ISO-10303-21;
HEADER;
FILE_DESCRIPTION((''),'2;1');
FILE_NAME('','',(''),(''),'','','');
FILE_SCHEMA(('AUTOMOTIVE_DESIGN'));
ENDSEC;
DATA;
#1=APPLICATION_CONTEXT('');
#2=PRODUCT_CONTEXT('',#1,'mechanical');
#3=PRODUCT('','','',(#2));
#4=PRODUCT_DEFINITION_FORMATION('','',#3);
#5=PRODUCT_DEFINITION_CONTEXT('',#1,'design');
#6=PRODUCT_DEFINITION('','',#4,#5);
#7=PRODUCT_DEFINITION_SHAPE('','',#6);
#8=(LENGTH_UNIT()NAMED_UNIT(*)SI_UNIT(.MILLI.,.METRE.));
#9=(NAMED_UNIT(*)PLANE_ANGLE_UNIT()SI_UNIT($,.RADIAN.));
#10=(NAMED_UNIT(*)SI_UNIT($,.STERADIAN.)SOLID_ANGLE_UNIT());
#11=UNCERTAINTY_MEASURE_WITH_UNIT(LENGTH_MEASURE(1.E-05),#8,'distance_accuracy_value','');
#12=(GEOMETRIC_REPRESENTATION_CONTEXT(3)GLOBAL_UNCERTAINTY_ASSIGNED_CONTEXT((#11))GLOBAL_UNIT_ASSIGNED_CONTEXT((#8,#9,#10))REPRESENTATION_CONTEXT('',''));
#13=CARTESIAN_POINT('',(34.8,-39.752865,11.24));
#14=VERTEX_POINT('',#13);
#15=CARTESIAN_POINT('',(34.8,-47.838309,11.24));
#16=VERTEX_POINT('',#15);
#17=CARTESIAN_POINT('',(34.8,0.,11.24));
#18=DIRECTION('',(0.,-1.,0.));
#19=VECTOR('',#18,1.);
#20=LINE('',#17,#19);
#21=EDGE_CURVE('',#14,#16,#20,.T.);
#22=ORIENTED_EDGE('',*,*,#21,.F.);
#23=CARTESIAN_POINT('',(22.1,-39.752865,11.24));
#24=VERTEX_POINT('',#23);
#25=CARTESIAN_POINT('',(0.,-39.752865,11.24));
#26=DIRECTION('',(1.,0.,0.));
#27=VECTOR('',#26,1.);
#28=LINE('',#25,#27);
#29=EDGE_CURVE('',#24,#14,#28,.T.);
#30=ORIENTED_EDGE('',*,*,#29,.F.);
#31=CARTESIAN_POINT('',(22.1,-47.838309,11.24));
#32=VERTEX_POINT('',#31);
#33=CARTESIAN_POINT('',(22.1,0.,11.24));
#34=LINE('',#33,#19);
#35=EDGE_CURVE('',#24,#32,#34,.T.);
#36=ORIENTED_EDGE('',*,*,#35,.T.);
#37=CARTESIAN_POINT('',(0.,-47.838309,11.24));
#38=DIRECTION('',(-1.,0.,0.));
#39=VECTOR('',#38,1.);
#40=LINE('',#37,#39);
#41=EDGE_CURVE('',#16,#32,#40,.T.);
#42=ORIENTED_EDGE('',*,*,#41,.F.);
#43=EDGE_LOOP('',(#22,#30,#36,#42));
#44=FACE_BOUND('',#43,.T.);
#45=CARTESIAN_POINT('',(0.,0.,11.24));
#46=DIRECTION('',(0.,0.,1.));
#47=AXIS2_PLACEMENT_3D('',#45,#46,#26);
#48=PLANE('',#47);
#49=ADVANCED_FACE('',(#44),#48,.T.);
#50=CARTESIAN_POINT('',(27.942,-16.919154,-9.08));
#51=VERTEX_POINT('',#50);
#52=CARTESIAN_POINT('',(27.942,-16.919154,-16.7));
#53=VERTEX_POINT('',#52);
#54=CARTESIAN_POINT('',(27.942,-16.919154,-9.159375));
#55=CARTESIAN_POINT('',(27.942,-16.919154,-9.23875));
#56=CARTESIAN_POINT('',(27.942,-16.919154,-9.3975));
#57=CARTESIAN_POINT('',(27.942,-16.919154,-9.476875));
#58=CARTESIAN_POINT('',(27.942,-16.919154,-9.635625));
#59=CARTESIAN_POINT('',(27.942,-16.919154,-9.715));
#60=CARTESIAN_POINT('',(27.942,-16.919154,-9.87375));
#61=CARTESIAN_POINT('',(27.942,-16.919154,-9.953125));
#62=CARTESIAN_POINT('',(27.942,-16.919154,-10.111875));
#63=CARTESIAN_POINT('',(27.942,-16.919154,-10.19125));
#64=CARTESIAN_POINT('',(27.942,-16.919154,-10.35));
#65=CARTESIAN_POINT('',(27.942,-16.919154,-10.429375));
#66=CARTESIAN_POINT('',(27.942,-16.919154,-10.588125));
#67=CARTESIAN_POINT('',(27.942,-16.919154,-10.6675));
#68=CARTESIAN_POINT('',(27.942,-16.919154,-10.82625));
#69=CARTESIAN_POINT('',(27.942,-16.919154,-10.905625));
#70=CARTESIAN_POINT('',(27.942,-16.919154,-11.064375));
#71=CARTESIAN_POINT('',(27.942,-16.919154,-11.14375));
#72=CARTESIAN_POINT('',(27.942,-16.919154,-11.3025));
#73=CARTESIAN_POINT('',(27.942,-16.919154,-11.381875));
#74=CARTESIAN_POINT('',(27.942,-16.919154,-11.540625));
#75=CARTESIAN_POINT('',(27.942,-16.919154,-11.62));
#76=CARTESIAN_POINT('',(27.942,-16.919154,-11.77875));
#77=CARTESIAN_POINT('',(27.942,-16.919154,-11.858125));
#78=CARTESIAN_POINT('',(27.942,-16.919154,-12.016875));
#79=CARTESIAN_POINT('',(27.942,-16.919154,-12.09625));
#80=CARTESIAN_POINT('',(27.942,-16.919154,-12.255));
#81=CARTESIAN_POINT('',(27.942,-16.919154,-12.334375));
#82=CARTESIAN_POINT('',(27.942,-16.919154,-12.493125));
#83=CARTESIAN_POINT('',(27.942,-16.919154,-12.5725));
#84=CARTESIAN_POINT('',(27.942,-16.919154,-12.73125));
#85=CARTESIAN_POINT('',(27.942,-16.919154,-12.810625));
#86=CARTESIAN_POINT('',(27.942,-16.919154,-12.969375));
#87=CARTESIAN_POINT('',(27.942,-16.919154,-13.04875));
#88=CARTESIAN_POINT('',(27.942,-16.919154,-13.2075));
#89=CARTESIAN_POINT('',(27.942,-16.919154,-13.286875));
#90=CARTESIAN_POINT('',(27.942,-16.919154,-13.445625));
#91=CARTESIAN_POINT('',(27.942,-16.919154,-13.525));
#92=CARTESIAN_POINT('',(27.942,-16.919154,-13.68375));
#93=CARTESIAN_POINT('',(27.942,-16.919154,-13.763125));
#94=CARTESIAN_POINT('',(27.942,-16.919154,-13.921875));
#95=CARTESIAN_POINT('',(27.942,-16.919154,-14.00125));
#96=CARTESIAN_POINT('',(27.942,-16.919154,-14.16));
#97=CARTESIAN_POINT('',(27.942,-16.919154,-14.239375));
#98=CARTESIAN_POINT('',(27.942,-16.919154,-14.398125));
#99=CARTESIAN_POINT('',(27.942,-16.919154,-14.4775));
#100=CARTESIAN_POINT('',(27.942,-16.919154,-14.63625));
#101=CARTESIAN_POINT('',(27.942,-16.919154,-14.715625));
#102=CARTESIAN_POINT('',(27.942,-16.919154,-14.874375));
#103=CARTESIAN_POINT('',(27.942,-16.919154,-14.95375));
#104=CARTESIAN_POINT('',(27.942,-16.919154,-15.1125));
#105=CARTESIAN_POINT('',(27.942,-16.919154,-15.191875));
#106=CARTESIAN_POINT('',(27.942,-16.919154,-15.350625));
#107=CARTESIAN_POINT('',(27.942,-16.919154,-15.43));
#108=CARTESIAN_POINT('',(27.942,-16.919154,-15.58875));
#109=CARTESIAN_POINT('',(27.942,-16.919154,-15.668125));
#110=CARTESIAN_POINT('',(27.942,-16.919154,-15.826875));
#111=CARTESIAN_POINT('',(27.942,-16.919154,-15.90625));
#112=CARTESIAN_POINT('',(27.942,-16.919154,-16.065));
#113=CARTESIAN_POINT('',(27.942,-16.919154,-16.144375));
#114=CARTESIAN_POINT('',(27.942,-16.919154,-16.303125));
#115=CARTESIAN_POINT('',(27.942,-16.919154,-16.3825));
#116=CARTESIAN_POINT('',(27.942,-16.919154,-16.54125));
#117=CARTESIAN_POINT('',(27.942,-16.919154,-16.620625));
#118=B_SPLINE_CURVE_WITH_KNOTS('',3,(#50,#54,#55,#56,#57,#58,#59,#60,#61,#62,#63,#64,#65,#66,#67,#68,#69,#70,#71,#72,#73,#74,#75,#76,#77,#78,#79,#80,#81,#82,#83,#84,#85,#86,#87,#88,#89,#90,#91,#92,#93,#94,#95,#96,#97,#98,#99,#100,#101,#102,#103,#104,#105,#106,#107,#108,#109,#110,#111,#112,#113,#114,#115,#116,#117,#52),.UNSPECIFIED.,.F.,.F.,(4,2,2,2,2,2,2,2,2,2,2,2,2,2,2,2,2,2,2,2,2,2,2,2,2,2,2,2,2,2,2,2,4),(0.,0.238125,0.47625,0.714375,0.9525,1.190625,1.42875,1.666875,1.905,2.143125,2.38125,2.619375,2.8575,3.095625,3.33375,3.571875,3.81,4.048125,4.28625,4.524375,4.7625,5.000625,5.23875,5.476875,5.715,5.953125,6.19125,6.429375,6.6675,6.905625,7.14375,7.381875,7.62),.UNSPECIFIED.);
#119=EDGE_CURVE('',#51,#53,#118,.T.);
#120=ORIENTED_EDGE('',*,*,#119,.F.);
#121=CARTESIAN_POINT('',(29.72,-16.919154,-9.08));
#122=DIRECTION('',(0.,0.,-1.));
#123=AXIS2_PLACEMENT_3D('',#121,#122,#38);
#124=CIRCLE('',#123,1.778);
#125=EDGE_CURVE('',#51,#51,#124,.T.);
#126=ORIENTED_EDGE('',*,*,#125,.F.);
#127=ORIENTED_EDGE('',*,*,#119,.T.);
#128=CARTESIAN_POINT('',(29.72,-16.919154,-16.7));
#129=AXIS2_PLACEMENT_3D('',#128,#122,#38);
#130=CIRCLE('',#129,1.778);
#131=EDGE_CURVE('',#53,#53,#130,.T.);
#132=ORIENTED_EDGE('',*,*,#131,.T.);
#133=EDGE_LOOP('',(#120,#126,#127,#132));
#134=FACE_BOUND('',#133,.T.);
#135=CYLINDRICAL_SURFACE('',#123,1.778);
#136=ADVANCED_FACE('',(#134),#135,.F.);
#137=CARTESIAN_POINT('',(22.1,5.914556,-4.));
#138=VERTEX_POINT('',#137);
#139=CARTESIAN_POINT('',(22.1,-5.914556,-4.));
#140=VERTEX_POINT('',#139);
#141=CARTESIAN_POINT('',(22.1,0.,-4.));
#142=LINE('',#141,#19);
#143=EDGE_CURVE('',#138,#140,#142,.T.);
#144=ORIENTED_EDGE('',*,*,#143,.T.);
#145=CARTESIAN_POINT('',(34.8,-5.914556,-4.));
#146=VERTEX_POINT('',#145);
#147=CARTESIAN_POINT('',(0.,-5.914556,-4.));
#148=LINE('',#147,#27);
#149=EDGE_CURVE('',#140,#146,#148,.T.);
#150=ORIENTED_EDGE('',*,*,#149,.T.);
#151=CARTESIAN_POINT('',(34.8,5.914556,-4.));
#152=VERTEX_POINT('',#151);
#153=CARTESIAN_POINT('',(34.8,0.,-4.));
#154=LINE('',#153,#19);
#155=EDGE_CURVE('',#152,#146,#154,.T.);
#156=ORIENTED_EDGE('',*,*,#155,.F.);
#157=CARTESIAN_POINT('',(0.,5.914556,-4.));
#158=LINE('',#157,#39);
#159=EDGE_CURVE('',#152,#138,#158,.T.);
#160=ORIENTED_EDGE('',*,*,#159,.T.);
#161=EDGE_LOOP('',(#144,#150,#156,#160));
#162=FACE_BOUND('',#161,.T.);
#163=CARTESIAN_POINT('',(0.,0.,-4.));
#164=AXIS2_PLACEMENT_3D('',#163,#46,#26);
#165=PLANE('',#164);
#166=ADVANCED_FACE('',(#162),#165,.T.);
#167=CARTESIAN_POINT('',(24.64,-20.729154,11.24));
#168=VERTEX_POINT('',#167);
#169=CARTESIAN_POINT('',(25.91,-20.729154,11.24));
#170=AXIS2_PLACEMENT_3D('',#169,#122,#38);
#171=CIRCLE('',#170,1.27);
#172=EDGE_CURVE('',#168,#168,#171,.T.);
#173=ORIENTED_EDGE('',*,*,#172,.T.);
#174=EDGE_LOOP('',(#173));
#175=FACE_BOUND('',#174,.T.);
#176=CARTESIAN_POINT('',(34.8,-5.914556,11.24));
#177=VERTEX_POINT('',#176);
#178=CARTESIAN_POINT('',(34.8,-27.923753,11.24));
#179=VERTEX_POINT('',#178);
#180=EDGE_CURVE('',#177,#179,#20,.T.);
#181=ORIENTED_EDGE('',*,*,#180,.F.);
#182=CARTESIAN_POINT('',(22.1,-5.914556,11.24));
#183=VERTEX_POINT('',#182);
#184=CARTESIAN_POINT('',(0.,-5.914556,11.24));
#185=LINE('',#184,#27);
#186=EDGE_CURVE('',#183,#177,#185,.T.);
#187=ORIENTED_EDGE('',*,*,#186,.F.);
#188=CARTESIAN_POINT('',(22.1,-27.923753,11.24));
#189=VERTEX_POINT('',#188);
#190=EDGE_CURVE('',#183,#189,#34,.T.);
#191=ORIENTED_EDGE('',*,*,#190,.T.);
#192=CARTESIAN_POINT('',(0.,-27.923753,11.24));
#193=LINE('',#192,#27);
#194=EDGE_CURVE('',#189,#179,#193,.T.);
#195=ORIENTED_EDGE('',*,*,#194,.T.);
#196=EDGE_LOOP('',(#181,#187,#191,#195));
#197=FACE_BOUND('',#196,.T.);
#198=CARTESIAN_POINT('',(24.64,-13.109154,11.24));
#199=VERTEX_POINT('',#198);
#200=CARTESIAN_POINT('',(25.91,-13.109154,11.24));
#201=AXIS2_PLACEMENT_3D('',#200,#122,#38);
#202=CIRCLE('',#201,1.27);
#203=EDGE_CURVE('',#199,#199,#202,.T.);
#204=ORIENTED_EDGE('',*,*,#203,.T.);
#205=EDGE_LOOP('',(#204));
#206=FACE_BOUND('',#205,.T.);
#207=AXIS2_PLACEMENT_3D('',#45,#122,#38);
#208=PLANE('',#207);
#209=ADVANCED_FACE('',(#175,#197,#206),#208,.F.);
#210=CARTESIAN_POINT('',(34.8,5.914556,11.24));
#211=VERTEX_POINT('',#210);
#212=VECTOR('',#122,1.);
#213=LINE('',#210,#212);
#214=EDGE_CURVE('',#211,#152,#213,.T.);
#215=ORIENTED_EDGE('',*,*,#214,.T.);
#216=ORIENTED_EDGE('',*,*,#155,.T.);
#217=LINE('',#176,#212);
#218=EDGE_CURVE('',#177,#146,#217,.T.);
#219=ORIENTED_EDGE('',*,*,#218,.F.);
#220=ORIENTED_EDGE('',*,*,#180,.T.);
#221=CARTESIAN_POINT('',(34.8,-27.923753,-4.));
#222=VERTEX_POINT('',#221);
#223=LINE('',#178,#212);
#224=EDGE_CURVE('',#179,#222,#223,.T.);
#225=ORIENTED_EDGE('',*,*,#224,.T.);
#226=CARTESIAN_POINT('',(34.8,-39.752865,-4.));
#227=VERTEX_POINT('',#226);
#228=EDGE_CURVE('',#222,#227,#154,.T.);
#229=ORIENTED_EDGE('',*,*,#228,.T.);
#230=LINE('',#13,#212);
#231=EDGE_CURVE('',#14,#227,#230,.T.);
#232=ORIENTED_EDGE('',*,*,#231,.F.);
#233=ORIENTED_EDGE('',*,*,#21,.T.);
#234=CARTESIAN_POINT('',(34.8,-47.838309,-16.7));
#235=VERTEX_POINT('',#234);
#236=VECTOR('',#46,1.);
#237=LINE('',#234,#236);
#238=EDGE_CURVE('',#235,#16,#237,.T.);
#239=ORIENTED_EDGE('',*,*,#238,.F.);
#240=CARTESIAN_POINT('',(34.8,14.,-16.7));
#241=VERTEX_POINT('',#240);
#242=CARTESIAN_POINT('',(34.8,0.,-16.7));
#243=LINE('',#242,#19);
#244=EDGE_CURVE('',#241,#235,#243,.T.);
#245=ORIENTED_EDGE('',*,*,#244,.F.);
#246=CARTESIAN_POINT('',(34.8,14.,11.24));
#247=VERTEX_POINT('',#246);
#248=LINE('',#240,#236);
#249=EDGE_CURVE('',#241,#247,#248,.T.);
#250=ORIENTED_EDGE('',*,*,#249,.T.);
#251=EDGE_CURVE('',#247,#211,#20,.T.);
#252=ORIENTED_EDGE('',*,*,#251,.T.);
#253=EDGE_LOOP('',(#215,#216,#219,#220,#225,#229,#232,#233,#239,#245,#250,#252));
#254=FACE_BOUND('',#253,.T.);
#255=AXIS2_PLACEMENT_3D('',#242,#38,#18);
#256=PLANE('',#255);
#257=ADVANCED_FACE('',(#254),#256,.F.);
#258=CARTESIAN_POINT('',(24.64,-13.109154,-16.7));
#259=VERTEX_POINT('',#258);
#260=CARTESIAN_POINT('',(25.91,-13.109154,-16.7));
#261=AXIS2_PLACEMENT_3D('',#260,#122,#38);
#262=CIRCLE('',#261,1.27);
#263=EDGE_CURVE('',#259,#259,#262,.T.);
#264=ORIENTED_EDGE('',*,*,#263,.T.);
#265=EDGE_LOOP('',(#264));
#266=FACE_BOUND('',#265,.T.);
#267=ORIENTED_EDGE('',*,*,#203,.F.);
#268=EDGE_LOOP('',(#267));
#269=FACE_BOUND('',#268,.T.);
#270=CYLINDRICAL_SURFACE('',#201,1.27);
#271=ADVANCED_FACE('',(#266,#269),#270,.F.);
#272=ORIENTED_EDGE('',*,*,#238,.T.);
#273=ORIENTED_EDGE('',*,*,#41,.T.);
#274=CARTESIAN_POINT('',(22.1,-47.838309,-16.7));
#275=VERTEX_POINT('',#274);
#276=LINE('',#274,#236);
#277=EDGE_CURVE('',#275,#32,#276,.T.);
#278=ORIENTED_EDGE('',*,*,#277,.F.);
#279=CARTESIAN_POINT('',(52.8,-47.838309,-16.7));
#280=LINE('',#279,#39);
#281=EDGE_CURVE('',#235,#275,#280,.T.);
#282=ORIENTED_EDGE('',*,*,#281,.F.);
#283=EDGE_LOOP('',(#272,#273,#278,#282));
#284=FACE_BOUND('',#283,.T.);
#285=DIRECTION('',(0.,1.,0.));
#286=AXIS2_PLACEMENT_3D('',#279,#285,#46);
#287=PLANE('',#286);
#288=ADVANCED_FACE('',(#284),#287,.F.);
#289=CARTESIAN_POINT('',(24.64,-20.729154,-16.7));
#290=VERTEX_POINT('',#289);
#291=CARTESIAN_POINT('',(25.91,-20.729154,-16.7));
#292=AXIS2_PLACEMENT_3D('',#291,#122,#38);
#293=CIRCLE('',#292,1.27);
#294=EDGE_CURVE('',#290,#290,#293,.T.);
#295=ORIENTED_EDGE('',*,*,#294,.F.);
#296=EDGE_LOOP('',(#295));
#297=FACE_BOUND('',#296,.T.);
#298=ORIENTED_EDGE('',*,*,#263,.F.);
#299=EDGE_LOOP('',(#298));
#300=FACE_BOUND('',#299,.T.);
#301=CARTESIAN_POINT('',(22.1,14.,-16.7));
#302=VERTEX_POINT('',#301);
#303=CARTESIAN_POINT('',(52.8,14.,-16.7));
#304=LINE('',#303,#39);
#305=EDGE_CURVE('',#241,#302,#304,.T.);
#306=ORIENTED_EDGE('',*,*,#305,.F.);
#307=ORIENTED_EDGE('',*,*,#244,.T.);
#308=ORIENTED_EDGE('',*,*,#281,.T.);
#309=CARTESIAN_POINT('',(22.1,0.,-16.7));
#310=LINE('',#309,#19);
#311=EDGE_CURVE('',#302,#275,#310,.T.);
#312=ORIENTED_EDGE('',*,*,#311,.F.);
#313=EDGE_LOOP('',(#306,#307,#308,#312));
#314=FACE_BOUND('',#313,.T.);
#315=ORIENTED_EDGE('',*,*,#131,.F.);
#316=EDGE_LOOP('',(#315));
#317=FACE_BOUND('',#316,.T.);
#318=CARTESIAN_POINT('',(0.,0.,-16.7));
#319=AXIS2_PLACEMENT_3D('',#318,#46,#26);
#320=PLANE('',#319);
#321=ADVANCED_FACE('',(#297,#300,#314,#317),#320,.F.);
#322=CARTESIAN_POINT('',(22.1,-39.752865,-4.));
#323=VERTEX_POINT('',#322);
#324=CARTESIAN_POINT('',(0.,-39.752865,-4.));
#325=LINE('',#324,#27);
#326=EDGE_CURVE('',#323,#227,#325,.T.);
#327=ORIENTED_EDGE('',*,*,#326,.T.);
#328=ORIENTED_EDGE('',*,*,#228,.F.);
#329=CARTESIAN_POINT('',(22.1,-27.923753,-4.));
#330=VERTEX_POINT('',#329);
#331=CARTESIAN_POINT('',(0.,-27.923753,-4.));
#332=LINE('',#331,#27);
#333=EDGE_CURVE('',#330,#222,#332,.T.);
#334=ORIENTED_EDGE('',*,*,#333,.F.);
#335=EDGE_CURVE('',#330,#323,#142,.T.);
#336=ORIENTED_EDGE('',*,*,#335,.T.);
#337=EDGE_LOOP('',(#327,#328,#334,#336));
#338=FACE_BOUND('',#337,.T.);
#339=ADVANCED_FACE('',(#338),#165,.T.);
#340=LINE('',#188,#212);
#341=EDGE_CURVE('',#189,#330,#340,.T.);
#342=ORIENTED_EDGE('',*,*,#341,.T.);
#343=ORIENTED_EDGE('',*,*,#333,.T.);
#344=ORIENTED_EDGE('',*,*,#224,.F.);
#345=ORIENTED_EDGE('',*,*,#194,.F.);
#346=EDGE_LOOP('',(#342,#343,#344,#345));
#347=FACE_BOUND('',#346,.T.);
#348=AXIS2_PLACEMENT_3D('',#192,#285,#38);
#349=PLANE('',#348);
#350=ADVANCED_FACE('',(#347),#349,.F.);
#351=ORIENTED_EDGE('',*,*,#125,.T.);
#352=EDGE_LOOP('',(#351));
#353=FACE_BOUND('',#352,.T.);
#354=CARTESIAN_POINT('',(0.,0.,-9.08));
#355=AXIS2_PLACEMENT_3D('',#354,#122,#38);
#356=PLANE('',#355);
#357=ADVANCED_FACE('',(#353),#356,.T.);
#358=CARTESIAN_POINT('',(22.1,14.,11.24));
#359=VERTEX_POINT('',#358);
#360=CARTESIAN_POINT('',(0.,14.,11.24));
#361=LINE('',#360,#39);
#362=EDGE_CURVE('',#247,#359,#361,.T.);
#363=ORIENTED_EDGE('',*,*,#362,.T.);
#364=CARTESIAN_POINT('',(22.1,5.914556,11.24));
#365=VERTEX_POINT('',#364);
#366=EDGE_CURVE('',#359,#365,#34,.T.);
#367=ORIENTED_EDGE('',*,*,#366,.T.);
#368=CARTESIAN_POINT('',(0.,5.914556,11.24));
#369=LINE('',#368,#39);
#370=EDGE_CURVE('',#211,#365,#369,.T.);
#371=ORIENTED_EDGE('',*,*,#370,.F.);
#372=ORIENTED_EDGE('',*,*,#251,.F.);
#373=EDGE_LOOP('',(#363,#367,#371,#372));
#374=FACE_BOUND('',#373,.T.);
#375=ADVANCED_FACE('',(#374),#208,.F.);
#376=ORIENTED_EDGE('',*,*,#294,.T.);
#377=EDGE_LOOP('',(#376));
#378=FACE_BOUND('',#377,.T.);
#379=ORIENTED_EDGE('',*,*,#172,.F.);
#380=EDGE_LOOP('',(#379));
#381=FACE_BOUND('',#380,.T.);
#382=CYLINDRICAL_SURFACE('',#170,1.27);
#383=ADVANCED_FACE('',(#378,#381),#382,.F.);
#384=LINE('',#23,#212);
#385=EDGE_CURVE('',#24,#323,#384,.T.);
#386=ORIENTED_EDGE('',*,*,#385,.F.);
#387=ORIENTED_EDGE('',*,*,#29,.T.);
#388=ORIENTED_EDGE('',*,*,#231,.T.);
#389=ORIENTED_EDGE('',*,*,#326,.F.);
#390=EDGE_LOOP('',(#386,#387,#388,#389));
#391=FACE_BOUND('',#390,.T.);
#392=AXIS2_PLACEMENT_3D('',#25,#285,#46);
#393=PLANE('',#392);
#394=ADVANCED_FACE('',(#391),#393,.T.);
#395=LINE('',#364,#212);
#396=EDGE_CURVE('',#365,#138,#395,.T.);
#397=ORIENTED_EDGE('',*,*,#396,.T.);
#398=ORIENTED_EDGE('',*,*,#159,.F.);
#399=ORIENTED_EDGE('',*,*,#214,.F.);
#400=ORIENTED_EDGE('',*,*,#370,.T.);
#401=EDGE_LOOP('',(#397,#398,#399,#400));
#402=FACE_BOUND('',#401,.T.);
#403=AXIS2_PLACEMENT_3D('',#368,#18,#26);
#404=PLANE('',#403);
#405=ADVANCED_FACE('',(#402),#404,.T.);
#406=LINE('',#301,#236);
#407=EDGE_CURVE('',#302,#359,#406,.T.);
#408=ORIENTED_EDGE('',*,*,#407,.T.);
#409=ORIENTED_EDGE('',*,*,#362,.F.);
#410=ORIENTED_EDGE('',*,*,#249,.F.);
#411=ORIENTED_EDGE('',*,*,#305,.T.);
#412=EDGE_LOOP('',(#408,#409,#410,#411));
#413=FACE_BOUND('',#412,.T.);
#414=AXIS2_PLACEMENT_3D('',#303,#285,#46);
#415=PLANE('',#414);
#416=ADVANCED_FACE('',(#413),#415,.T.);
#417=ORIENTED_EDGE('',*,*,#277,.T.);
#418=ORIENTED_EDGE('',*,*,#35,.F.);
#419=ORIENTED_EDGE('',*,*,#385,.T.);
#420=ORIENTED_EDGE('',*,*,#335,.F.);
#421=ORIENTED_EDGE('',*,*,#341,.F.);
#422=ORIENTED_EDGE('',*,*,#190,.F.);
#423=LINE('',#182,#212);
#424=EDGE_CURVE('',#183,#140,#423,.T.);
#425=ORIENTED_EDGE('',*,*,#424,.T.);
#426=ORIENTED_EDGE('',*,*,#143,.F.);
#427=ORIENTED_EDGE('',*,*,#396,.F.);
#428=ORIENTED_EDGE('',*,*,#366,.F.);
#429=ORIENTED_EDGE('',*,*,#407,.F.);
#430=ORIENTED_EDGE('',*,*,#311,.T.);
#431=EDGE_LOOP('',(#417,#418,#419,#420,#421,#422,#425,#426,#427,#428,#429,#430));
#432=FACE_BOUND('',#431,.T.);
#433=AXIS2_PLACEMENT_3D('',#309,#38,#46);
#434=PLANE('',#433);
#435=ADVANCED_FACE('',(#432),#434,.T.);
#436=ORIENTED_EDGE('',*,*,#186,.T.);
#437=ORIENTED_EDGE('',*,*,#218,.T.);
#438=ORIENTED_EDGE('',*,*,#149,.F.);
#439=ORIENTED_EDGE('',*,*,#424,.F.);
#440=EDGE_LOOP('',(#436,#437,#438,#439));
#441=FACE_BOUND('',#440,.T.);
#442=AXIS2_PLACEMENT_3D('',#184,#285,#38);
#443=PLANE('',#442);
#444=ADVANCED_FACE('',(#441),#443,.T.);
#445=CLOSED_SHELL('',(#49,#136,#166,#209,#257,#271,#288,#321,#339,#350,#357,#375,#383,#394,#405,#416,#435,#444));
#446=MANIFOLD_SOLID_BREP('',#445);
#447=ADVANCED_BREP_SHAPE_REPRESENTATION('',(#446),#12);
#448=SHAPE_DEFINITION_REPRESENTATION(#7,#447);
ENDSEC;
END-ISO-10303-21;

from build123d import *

# Parameters (mm, degrees)
BOSS_EXTRUDE1_START = -4
SKETCH2_W           = 12.7
SKETCH2_H           = 11.829112303
SKETCH2_H_2         = 8.085443848
BOSS_EXTRUDE1_DEPTH = 12.7
BOSS_EXTRUDE3_START = -4
SKETCH2_4_W         = 12.7
SKETCH2_4_H         = 8.085443848
BOSS_EXTRUDE3_DEPTH = 15.24
SKETCH3_R           = 1.778
CUT_EXTRUDE1_DEPTH  = 7.62
SKETCH3_3_R         = 1.27
CUT_EXTRUDE2_DEPTH  = 66.423141131


with BuildPart() as part:
    # Sketch2 → Boss-Extrude1 (new body)
    with BuildSketch(Plane.XY.offset(BOSS_EXTRUDE1_START)):
        with BuildLine():
            Line((34.8, 12), (34.8, 14))
            Line((34.8, 14), (22.1, 14))
            Line((22.1, 14), (22.1, 5.914556152))
            Line((22.1, 5.914556152), (32.8, 5.914556152))
            ThreePointArc((32.8, 5.914556152), (34.214213562, 6.500342589), (34.8, 7.914556152))
            Line((34.8, 7.914556152), (34.8, 12))
        make_face()
        Polygon((32.8, 5.914556152), (22.1, 5.914556152), (22.1, -5.914556152), (32.8, -5.914556152), (34.8, -5.914556152), (34.8, 5.914556152), align=None)
        with BuildLine():
            Line((32.8, -5.914556152), (22.1, -5.914556152))
            Line((22.1, -5.914556152), (22.1, -27.923752717))
            Line((22.1, -27.923752717), (34.8, -27.923752717))
            Line((34.8, -27.923752717), (34.8, -12))
            Line((34.8, -12), (34.8, -7.914556152))
            ThreePointArc((34.8, -7.914556152), (34.214213562, -6.500342589), (32.8, -5.914556152))
        make_face()
        with Locations((28.45, -33.838308869)):
            Rectangle(SKETCH2_W, SKETCH2_H)
        with Locations((28.45, -43.795586944)):
            Rectangle(SKETCH2_W, SKETCH2_H_2)
        with BuildLine():
            Line((34.8, 5.914556152), (34.8, 7.914556152))
            ThreePointArc((34.8, 7.914556152), (34.214213562, 6.500342589), (32.8, 5.914556152))
            Line((32.8, 5.914556152), (34.8, 5.914556152))
        make_face()
        with BuildLine():
            Line((34.8, -5.914556152), (32.8, -5.914556152))
            ThreePointArc((32.8, -5.914556152), (34.214213562, -6.500342589), (34.8, -7.914556152))
            Line((34.8, -7.914556152), (34.8, -5.914556152))
        make_face()
    extrude(amount=-BOSS_EXTRUDE1_DEPTH)

    # Sketch2<4> → Boss-Extrude3 (add)
    with BuildSketch(Plane.XY.offset(BOSS_EXTRUDE3_START)):
        with BuildLine():
            Line((34.8, 12), (34.8, 14))
            Line((34.8, 14), (22.1, 14))
            Line((22.1, 14), (22.1, 5.914556152))
            Line((22.1, 5.914556152), (32.8, 5.914556152))
            ThreePointArc((32.8, 5.914556152), (34.214213562, 6.500342589), (34.8, 7.914556152))
            Line((34.8, 7.914556152), (34.8, 12))
        make_face()
        with BuildLine():
            Line((34.8, 5.914556152), (34.8, 7.914556152))
            ThreePointArc((34.8, 7.914556152), (34.214213562, 6.500342589), (32.8, 5.914556152))
            Line((32.8, 5.914556152), (34.8, 5.914556152))
        make_face()
        with BuildLine():
            Line((32.8, -5.914556152), (22.1, -5.914556152))
            Line((22.1, -5.914556152), (22.1, -27.923752717))
            Line((22.1, -27.923752717), (34.8, -27.923752717))
            Line((34.8, -27.923752717), (34.8, -12))
            Line((34.8, -12), (34.8, -7.914556152))
            ThreePointArc((34.8, -7.914556152), (34.214213562, -6.500342589), (32.8, -5.914556152))
        make_face()
        with BuildLine():
            Line((34.8, -5.914556152), (32.8, -5.914556152))
            ThreePointArc((32.8, -5.914556152), (34.214213562, -6.500342589), (34.8, -7.914556152))
            Line((34.8, -7.914556152), (34.8, -5.914556152))
        make_face()
        with Locations((28.45, -43.795586944)):
            Rectangle(SKETCH2_4_W, SKETCH2_4_H)
    extrude(amount=BOSS_EXTRUDE3_DEPTH)

    # Sketch3 → Cut-Extrude1 (cut)
    with BuildSketch(Plane(origin=(0, 0, -16.7), x_dir=(-1, 0, 0), z_dir=(0, 0, -1))):
        with Locations((-29.72, -16.919154434)):
            Circle(SKETCH3_R)
    extrude(amount=-CUT_EXTRUDE1_DEPTH, mode=Mode.SUBTRACT)

    # Sketch3<3> → Cut-Extrude2 (cut, through all)
    with BuildSketch(Plane(origin=(0, 0, -16.7), x_dir=(-1, 0, 0), z_dir=(0, 0, -1))):
        with Locations((-25.91, -13.109154434)):
            Circle(SKETCH3_3_R)
        with Locations((-25.91, -20.729154434)):
            Circle(SKETCH3_3_R)
    extrude(amount=-CUT_EXTRUDE2_DEPTH, mode=Mode.SUBTRACT)


solid = part.part
